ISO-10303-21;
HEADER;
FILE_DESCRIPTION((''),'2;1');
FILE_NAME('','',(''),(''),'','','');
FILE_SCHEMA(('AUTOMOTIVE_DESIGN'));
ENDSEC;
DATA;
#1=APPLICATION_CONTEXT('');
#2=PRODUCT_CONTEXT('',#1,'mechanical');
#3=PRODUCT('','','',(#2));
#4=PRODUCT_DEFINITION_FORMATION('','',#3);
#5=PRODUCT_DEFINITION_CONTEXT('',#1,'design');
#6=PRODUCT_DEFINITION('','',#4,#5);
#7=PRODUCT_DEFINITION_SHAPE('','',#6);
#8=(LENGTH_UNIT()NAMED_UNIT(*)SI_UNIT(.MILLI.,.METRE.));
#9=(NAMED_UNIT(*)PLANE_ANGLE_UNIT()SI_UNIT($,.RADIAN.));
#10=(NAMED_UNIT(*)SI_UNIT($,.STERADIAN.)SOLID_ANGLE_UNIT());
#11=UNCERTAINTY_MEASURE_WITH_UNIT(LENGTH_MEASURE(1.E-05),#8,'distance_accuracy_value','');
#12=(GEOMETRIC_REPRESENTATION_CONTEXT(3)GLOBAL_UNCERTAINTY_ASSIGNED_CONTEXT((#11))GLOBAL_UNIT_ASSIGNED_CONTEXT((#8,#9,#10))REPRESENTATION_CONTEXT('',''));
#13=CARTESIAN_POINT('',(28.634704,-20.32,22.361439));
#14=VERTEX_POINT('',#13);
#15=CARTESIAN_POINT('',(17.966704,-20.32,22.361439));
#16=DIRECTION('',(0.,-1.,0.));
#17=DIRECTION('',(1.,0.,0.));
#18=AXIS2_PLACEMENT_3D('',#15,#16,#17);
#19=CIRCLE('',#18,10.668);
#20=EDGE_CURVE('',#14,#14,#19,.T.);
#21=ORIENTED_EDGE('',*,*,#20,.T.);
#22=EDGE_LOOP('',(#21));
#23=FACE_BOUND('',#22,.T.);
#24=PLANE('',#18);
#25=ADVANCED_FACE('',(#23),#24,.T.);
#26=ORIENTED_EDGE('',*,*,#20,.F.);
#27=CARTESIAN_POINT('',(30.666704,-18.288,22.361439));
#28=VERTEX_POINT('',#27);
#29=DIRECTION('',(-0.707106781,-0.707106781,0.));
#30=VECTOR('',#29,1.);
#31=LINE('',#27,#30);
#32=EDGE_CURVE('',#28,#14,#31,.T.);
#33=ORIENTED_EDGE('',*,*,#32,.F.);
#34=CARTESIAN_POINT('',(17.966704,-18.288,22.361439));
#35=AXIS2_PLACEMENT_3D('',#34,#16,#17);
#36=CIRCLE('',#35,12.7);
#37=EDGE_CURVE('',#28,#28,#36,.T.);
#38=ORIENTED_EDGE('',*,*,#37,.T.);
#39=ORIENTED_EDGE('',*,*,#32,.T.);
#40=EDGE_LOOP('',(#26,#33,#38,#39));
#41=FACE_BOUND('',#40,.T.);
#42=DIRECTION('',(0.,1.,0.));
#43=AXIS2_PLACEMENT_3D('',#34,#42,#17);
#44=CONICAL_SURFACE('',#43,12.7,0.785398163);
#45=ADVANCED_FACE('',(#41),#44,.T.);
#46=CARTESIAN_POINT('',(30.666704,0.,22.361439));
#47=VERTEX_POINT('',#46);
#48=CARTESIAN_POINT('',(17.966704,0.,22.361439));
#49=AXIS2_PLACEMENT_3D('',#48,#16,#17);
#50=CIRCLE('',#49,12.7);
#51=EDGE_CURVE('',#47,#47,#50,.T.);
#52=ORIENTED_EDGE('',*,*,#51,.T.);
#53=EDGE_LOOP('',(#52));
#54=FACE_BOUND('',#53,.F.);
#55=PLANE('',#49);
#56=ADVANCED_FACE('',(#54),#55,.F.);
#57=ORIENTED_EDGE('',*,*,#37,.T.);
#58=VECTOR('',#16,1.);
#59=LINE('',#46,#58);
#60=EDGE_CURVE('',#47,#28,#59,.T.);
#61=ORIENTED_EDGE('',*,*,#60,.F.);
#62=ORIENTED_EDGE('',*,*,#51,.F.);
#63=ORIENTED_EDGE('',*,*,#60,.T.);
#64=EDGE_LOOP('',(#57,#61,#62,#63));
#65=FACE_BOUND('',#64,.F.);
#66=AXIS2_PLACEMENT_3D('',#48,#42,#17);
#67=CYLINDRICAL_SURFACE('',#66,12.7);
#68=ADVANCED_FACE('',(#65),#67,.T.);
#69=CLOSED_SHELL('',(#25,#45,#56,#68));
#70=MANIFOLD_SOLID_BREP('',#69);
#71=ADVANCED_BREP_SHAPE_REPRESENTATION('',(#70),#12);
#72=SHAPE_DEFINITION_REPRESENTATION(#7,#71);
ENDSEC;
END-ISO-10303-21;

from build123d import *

# Parameters (mm, degrees)
F0_R     = 12.7
F1_DEPTH = 20.32
F2_SIZE  = 2.032


with BuildPart() as f1:
    # F0 (on Front) → F1 (new body)
    with BuildSketch(Plane.XZ):
        with Locations((17.966704, 22.361439)):
            Circle(F0_R)
    extrude(amount=F1_DEPTH)

    # F2
    f2_edges = [f1.edges().sort_by_distance(p)[0] for p in [
        (5.266704, -20.32, 22.361439),
    ]]
    chamfer(f2_edges, length=F2_SIZE)


solid = f1.part
